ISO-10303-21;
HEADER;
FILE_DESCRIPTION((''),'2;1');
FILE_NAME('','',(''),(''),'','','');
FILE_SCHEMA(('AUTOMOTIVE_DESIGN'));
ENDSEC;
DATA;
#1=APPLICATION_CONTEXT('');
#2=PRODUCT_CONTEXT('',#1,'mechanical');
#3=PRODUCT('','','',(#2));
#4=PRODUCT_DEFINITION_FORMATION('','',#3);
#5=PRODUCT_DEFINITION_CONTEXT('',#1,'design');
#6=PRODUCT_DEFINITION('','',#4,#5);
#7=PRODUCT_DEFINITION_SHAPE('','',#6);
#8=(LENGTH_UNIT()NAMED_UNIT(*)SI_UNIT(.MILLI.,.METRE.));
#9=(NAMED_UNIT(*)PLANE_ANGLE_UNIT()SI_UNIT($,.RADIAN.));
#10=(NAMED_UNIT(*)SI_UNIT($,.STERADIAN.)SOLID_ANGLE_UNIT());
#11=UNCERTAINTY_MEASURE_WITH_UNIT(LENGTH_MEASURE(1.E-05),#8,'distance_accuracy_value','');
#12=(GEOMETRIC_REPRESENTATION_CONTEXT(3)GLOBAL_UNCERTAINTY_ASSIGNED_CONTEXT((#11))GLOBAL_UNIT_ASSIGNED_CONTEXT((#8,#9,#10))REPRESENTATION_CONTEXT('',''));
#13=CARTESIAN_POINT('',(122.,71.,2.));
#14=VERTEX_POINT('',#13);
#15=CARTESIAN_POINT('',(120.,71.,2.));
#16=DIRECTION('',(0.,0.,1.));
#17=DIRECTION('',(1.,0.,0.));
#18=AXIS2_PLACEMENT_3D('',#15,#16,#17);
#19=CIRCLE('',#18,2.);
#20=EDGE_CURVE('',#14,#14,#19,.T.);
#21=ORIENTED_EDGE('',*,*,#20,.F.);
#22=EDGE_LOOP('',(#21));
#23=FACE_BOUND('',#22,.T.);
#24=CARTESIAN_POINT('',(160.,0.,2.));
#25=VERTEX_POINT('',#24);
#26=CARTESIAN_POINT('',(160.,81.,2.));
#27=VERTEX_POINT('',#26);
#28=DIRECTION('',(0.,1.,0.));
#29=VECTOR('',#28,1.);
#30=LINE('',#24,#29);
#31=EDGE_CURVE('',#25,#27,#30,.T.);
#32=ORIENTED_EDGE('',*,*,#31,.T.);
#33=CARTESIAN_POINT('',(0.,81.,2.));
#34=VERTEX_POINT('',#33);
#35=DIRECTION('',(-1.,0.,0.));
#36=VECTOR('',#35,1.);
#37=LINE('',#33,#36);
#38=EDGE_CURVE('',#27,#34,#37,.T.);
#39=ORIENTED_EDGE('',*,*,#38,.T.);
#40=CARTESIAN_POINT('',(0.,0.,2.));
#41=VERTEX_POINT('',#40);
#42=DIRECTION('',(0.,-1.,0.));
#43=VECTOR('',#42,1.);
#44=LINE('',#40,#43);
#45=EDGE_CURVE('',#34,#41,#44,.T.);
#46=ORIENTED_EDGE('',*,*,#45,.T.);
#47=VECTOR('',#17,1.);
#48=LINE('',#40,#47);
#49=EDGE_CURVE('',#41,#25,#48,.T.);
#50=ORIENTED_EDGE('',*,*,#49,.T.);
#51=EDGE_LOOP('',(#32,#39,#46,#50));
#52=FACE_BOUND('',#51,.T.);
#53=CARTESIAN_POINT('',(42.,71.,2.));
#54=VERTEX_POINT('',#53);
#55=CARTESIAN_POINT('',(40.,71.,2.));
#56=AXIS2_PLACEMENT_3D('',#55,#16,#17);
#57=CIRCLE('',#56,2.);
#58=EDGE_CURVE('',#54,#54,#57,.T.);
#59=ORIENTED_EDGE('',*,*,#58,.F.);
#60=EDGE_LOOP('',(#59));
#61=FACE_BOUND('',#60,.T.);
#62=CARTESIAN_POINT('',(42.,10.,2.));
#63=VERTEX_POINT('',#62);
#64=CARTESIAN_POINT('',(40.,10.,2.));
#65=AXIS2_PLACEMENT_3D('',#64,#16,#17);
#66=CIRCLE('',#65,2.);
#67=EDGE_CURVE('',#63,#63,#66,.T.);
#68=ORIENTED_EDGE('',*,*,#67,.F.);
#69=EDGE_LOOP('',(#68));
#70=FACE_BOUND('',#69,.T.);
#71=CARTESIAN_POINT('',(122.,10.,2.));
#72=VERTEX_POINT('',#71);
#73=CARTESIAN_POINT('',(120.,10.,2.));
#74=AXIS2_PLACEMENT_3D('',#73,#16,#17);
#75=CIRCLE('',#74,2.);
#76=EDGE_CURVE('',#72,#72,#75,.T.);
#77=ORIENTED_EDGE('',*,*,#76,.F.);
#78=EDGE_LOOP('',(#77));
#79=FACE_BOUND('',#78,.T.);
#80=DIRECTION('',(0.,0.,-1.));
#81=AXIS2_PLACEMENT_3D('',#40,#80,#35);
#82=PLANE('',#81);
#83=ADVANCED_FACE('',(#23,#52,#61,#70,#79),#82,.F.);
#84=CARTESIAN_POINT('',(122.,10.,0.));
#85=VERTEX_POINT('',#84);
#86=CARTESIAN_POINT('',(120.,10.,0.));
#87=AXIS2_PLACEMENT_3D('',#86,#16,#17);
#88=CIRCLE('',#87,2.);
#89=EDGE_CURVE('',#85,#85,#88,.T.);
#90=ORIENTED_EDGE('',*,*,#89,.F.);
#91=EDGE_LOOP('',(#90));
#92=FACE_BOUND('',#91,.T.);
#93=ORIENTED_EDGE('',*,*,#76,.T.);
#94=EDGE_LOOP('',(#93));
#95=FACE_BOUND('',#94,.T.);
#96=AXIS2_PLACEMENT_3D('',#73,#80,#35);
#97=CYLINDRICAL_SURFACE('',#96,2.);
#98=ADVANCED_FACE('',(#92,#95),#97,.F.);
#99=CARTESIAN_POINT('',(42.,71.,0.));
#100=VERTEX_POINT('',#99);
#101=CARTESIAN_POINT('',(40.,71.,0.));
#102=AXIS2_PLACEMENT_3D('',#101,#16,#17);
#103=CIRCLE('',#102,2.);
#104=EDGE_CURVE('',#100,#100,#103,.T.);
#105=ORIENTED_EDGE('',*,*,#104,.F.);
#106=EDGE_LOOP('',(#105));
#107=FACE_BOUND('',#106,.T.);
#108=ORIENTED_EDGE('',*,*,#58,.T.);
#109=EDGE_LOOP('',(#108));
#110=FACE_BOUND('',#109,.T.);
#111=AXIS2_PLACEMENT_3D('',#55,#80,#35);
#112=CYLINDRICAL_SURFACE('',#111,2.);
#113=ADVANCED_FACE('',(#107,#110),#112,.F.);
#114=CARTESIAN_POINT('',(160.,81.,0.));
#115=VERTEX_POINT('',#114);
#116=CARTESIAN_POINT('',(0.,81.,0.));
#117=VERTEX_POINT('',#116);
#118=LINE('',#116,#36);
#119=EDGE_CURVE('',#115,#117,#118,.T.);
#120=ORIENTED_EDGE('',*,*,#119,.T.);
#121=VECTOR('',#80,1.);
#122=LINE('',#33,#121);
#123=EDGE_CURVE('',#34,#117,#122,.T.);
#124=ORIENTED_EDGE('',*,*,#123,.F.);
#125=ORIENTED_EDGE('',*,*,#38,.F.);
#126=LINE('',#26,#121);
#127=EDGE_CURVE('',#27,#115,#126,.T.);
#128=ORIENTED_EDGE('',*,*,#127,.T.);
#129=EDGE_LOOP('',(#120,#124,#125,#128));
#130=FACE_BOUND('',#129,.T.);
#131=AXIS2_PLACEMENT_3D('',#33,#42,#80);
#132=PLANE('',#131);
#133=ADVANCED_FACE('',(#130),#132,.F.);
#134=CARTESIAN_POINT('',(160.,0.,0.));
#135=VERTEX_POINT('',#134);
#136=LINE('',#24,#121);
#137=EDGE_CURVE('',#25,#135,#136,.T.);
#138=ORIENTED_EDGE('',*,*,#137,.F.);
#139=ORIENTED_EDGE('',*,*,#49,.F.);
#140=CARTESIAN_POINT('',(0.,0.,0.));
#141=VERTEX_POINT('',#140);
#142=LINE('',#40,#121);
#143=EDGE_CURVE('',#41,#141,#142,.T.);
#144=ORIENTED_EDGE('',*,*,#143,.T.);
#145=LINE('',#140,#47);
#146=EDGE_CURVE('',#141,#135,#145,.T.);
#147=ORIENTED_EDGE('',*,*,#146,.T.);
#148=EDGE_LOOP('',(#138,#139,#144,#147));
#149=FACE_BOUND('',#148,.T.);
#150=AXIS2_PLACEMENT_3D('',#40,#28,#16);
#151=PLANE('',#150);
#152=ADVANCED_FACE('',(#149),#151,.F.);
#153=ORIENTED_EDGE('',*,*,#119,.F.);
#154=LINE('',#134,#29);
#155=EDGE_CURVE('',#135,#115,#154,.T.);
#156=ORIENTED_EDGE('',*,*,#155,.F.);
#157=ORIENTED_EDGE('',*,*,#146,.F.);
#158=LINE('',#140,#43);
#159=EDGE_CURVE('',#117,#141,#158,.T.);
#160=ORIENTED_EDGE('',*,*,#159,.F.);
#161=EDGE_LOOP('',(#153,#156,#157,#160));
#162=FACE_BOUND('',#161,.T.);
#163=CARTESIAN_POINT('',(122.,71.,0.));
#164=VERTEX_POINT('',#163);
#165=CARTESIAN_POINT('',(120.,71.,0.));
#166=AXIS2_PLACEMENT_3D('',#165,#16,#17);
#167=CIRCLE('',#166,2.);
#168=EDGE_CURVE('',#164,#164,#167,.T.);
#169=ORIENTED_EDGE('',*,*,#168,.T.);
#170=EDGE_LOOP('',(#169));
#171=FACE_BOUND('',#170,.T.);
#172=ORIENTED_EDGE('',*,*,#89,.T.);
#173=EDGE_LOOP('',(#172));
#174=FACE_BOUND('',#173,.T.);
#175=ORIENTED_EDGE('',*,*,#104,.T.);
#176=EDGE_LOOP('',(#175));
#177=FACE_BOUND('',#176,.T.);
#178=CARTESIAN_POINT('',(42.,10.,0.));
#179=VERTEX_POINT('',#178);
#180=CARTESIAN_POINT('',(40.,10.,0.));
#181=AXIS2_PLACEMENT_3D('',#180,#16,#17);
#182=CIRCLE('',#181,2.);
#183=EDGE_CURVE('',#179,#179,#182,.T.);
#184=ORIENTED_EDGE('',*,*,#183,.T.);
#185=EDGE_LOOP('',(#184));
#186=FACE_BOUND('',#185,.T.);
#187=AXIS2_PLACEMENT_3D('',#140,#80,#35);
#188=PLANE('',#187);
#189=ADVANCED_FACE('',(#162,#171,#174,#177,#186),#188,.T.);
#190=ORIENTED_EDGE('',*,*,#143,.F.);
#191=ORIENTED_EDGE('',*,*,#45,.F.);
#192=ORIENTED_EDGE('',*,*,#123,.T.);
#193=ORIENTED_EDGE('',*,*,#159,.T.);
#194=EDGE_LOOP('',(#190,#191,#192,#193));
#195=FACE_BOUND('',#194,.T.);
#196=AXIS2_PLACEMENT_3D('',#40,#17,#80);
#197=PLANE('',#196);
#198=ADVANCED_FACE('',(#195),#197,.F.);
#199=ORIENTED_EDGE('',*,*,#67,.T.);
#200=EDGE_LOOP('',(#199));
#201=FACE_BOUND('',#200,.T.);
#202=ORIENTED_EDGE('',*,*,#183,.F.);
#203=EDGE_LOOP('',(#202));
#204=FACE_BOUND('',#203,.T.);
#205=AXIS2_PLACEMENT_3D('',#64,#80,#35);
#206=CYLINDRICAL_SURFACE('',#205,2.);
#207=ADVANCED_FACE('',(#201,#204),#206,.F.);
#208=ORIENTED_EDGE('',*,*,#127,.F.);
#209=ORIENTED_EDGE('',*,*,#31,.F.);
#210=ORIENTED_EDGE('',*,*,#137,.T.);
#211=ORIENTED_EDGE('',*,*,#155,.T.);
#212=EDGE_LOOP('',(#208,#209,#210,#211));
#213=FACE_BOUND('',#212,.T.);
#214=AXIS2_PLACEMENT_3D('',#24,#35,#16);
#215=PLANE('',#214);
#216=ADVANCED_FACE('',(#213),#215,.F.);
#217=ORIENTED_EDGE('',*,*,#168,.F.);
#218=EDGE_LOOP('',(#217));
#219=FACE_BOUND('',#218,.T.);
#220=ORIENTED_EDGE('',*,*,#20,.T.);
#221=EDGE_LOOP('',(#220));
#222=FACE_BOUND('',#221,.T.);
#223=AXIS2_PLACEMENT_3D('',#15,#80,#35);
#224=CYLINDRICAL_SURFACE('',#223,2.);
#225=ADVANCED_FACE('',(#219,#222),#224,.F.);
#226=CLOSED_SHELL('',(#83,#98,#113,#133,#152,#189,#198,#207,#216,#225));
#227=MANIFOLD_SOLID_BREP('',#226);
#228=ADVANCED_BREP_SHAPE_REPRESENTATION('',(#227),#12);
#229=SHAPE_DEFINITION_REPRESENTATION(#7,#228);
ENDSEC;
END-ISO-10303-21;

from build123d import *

# Parameters (mm, degrees)
IZIM1_W                     = 160
IZIM1_H                     = 81
IZIM1_R                     = 2
Y_KSEKLIK_EKSTR_ZYON1_DEPTH = 2


with BuildPart() as part:
    # Çizim1 → Yükseklik-Ekstrüzyon1 (new body)
    with BuildSketch(Plane.XY):
        with Locations((80, 40.5)):
            Rectangle(IZIM1_W, IZIM1_H)
        with Locations((40, 71)):
            Circle(IZIM1_R, mode=Mode.SUBTRACT)
        with Locations((120, 71)):
            Circle(IZIM1_R, mode=Mode.SUBTRACT)
        with Locations((40, 10)):
            Circle(IZIM1_R, mode=Mode.SUBTRACT)
        with Locations((120, 10)):
            Circle(IZIM1_R, mode=Mode.SUBTRACT)
    extrude(amount=Y_KSEKLIK_EKSTR_ZYON1_DEPTH)


solid = part.part
